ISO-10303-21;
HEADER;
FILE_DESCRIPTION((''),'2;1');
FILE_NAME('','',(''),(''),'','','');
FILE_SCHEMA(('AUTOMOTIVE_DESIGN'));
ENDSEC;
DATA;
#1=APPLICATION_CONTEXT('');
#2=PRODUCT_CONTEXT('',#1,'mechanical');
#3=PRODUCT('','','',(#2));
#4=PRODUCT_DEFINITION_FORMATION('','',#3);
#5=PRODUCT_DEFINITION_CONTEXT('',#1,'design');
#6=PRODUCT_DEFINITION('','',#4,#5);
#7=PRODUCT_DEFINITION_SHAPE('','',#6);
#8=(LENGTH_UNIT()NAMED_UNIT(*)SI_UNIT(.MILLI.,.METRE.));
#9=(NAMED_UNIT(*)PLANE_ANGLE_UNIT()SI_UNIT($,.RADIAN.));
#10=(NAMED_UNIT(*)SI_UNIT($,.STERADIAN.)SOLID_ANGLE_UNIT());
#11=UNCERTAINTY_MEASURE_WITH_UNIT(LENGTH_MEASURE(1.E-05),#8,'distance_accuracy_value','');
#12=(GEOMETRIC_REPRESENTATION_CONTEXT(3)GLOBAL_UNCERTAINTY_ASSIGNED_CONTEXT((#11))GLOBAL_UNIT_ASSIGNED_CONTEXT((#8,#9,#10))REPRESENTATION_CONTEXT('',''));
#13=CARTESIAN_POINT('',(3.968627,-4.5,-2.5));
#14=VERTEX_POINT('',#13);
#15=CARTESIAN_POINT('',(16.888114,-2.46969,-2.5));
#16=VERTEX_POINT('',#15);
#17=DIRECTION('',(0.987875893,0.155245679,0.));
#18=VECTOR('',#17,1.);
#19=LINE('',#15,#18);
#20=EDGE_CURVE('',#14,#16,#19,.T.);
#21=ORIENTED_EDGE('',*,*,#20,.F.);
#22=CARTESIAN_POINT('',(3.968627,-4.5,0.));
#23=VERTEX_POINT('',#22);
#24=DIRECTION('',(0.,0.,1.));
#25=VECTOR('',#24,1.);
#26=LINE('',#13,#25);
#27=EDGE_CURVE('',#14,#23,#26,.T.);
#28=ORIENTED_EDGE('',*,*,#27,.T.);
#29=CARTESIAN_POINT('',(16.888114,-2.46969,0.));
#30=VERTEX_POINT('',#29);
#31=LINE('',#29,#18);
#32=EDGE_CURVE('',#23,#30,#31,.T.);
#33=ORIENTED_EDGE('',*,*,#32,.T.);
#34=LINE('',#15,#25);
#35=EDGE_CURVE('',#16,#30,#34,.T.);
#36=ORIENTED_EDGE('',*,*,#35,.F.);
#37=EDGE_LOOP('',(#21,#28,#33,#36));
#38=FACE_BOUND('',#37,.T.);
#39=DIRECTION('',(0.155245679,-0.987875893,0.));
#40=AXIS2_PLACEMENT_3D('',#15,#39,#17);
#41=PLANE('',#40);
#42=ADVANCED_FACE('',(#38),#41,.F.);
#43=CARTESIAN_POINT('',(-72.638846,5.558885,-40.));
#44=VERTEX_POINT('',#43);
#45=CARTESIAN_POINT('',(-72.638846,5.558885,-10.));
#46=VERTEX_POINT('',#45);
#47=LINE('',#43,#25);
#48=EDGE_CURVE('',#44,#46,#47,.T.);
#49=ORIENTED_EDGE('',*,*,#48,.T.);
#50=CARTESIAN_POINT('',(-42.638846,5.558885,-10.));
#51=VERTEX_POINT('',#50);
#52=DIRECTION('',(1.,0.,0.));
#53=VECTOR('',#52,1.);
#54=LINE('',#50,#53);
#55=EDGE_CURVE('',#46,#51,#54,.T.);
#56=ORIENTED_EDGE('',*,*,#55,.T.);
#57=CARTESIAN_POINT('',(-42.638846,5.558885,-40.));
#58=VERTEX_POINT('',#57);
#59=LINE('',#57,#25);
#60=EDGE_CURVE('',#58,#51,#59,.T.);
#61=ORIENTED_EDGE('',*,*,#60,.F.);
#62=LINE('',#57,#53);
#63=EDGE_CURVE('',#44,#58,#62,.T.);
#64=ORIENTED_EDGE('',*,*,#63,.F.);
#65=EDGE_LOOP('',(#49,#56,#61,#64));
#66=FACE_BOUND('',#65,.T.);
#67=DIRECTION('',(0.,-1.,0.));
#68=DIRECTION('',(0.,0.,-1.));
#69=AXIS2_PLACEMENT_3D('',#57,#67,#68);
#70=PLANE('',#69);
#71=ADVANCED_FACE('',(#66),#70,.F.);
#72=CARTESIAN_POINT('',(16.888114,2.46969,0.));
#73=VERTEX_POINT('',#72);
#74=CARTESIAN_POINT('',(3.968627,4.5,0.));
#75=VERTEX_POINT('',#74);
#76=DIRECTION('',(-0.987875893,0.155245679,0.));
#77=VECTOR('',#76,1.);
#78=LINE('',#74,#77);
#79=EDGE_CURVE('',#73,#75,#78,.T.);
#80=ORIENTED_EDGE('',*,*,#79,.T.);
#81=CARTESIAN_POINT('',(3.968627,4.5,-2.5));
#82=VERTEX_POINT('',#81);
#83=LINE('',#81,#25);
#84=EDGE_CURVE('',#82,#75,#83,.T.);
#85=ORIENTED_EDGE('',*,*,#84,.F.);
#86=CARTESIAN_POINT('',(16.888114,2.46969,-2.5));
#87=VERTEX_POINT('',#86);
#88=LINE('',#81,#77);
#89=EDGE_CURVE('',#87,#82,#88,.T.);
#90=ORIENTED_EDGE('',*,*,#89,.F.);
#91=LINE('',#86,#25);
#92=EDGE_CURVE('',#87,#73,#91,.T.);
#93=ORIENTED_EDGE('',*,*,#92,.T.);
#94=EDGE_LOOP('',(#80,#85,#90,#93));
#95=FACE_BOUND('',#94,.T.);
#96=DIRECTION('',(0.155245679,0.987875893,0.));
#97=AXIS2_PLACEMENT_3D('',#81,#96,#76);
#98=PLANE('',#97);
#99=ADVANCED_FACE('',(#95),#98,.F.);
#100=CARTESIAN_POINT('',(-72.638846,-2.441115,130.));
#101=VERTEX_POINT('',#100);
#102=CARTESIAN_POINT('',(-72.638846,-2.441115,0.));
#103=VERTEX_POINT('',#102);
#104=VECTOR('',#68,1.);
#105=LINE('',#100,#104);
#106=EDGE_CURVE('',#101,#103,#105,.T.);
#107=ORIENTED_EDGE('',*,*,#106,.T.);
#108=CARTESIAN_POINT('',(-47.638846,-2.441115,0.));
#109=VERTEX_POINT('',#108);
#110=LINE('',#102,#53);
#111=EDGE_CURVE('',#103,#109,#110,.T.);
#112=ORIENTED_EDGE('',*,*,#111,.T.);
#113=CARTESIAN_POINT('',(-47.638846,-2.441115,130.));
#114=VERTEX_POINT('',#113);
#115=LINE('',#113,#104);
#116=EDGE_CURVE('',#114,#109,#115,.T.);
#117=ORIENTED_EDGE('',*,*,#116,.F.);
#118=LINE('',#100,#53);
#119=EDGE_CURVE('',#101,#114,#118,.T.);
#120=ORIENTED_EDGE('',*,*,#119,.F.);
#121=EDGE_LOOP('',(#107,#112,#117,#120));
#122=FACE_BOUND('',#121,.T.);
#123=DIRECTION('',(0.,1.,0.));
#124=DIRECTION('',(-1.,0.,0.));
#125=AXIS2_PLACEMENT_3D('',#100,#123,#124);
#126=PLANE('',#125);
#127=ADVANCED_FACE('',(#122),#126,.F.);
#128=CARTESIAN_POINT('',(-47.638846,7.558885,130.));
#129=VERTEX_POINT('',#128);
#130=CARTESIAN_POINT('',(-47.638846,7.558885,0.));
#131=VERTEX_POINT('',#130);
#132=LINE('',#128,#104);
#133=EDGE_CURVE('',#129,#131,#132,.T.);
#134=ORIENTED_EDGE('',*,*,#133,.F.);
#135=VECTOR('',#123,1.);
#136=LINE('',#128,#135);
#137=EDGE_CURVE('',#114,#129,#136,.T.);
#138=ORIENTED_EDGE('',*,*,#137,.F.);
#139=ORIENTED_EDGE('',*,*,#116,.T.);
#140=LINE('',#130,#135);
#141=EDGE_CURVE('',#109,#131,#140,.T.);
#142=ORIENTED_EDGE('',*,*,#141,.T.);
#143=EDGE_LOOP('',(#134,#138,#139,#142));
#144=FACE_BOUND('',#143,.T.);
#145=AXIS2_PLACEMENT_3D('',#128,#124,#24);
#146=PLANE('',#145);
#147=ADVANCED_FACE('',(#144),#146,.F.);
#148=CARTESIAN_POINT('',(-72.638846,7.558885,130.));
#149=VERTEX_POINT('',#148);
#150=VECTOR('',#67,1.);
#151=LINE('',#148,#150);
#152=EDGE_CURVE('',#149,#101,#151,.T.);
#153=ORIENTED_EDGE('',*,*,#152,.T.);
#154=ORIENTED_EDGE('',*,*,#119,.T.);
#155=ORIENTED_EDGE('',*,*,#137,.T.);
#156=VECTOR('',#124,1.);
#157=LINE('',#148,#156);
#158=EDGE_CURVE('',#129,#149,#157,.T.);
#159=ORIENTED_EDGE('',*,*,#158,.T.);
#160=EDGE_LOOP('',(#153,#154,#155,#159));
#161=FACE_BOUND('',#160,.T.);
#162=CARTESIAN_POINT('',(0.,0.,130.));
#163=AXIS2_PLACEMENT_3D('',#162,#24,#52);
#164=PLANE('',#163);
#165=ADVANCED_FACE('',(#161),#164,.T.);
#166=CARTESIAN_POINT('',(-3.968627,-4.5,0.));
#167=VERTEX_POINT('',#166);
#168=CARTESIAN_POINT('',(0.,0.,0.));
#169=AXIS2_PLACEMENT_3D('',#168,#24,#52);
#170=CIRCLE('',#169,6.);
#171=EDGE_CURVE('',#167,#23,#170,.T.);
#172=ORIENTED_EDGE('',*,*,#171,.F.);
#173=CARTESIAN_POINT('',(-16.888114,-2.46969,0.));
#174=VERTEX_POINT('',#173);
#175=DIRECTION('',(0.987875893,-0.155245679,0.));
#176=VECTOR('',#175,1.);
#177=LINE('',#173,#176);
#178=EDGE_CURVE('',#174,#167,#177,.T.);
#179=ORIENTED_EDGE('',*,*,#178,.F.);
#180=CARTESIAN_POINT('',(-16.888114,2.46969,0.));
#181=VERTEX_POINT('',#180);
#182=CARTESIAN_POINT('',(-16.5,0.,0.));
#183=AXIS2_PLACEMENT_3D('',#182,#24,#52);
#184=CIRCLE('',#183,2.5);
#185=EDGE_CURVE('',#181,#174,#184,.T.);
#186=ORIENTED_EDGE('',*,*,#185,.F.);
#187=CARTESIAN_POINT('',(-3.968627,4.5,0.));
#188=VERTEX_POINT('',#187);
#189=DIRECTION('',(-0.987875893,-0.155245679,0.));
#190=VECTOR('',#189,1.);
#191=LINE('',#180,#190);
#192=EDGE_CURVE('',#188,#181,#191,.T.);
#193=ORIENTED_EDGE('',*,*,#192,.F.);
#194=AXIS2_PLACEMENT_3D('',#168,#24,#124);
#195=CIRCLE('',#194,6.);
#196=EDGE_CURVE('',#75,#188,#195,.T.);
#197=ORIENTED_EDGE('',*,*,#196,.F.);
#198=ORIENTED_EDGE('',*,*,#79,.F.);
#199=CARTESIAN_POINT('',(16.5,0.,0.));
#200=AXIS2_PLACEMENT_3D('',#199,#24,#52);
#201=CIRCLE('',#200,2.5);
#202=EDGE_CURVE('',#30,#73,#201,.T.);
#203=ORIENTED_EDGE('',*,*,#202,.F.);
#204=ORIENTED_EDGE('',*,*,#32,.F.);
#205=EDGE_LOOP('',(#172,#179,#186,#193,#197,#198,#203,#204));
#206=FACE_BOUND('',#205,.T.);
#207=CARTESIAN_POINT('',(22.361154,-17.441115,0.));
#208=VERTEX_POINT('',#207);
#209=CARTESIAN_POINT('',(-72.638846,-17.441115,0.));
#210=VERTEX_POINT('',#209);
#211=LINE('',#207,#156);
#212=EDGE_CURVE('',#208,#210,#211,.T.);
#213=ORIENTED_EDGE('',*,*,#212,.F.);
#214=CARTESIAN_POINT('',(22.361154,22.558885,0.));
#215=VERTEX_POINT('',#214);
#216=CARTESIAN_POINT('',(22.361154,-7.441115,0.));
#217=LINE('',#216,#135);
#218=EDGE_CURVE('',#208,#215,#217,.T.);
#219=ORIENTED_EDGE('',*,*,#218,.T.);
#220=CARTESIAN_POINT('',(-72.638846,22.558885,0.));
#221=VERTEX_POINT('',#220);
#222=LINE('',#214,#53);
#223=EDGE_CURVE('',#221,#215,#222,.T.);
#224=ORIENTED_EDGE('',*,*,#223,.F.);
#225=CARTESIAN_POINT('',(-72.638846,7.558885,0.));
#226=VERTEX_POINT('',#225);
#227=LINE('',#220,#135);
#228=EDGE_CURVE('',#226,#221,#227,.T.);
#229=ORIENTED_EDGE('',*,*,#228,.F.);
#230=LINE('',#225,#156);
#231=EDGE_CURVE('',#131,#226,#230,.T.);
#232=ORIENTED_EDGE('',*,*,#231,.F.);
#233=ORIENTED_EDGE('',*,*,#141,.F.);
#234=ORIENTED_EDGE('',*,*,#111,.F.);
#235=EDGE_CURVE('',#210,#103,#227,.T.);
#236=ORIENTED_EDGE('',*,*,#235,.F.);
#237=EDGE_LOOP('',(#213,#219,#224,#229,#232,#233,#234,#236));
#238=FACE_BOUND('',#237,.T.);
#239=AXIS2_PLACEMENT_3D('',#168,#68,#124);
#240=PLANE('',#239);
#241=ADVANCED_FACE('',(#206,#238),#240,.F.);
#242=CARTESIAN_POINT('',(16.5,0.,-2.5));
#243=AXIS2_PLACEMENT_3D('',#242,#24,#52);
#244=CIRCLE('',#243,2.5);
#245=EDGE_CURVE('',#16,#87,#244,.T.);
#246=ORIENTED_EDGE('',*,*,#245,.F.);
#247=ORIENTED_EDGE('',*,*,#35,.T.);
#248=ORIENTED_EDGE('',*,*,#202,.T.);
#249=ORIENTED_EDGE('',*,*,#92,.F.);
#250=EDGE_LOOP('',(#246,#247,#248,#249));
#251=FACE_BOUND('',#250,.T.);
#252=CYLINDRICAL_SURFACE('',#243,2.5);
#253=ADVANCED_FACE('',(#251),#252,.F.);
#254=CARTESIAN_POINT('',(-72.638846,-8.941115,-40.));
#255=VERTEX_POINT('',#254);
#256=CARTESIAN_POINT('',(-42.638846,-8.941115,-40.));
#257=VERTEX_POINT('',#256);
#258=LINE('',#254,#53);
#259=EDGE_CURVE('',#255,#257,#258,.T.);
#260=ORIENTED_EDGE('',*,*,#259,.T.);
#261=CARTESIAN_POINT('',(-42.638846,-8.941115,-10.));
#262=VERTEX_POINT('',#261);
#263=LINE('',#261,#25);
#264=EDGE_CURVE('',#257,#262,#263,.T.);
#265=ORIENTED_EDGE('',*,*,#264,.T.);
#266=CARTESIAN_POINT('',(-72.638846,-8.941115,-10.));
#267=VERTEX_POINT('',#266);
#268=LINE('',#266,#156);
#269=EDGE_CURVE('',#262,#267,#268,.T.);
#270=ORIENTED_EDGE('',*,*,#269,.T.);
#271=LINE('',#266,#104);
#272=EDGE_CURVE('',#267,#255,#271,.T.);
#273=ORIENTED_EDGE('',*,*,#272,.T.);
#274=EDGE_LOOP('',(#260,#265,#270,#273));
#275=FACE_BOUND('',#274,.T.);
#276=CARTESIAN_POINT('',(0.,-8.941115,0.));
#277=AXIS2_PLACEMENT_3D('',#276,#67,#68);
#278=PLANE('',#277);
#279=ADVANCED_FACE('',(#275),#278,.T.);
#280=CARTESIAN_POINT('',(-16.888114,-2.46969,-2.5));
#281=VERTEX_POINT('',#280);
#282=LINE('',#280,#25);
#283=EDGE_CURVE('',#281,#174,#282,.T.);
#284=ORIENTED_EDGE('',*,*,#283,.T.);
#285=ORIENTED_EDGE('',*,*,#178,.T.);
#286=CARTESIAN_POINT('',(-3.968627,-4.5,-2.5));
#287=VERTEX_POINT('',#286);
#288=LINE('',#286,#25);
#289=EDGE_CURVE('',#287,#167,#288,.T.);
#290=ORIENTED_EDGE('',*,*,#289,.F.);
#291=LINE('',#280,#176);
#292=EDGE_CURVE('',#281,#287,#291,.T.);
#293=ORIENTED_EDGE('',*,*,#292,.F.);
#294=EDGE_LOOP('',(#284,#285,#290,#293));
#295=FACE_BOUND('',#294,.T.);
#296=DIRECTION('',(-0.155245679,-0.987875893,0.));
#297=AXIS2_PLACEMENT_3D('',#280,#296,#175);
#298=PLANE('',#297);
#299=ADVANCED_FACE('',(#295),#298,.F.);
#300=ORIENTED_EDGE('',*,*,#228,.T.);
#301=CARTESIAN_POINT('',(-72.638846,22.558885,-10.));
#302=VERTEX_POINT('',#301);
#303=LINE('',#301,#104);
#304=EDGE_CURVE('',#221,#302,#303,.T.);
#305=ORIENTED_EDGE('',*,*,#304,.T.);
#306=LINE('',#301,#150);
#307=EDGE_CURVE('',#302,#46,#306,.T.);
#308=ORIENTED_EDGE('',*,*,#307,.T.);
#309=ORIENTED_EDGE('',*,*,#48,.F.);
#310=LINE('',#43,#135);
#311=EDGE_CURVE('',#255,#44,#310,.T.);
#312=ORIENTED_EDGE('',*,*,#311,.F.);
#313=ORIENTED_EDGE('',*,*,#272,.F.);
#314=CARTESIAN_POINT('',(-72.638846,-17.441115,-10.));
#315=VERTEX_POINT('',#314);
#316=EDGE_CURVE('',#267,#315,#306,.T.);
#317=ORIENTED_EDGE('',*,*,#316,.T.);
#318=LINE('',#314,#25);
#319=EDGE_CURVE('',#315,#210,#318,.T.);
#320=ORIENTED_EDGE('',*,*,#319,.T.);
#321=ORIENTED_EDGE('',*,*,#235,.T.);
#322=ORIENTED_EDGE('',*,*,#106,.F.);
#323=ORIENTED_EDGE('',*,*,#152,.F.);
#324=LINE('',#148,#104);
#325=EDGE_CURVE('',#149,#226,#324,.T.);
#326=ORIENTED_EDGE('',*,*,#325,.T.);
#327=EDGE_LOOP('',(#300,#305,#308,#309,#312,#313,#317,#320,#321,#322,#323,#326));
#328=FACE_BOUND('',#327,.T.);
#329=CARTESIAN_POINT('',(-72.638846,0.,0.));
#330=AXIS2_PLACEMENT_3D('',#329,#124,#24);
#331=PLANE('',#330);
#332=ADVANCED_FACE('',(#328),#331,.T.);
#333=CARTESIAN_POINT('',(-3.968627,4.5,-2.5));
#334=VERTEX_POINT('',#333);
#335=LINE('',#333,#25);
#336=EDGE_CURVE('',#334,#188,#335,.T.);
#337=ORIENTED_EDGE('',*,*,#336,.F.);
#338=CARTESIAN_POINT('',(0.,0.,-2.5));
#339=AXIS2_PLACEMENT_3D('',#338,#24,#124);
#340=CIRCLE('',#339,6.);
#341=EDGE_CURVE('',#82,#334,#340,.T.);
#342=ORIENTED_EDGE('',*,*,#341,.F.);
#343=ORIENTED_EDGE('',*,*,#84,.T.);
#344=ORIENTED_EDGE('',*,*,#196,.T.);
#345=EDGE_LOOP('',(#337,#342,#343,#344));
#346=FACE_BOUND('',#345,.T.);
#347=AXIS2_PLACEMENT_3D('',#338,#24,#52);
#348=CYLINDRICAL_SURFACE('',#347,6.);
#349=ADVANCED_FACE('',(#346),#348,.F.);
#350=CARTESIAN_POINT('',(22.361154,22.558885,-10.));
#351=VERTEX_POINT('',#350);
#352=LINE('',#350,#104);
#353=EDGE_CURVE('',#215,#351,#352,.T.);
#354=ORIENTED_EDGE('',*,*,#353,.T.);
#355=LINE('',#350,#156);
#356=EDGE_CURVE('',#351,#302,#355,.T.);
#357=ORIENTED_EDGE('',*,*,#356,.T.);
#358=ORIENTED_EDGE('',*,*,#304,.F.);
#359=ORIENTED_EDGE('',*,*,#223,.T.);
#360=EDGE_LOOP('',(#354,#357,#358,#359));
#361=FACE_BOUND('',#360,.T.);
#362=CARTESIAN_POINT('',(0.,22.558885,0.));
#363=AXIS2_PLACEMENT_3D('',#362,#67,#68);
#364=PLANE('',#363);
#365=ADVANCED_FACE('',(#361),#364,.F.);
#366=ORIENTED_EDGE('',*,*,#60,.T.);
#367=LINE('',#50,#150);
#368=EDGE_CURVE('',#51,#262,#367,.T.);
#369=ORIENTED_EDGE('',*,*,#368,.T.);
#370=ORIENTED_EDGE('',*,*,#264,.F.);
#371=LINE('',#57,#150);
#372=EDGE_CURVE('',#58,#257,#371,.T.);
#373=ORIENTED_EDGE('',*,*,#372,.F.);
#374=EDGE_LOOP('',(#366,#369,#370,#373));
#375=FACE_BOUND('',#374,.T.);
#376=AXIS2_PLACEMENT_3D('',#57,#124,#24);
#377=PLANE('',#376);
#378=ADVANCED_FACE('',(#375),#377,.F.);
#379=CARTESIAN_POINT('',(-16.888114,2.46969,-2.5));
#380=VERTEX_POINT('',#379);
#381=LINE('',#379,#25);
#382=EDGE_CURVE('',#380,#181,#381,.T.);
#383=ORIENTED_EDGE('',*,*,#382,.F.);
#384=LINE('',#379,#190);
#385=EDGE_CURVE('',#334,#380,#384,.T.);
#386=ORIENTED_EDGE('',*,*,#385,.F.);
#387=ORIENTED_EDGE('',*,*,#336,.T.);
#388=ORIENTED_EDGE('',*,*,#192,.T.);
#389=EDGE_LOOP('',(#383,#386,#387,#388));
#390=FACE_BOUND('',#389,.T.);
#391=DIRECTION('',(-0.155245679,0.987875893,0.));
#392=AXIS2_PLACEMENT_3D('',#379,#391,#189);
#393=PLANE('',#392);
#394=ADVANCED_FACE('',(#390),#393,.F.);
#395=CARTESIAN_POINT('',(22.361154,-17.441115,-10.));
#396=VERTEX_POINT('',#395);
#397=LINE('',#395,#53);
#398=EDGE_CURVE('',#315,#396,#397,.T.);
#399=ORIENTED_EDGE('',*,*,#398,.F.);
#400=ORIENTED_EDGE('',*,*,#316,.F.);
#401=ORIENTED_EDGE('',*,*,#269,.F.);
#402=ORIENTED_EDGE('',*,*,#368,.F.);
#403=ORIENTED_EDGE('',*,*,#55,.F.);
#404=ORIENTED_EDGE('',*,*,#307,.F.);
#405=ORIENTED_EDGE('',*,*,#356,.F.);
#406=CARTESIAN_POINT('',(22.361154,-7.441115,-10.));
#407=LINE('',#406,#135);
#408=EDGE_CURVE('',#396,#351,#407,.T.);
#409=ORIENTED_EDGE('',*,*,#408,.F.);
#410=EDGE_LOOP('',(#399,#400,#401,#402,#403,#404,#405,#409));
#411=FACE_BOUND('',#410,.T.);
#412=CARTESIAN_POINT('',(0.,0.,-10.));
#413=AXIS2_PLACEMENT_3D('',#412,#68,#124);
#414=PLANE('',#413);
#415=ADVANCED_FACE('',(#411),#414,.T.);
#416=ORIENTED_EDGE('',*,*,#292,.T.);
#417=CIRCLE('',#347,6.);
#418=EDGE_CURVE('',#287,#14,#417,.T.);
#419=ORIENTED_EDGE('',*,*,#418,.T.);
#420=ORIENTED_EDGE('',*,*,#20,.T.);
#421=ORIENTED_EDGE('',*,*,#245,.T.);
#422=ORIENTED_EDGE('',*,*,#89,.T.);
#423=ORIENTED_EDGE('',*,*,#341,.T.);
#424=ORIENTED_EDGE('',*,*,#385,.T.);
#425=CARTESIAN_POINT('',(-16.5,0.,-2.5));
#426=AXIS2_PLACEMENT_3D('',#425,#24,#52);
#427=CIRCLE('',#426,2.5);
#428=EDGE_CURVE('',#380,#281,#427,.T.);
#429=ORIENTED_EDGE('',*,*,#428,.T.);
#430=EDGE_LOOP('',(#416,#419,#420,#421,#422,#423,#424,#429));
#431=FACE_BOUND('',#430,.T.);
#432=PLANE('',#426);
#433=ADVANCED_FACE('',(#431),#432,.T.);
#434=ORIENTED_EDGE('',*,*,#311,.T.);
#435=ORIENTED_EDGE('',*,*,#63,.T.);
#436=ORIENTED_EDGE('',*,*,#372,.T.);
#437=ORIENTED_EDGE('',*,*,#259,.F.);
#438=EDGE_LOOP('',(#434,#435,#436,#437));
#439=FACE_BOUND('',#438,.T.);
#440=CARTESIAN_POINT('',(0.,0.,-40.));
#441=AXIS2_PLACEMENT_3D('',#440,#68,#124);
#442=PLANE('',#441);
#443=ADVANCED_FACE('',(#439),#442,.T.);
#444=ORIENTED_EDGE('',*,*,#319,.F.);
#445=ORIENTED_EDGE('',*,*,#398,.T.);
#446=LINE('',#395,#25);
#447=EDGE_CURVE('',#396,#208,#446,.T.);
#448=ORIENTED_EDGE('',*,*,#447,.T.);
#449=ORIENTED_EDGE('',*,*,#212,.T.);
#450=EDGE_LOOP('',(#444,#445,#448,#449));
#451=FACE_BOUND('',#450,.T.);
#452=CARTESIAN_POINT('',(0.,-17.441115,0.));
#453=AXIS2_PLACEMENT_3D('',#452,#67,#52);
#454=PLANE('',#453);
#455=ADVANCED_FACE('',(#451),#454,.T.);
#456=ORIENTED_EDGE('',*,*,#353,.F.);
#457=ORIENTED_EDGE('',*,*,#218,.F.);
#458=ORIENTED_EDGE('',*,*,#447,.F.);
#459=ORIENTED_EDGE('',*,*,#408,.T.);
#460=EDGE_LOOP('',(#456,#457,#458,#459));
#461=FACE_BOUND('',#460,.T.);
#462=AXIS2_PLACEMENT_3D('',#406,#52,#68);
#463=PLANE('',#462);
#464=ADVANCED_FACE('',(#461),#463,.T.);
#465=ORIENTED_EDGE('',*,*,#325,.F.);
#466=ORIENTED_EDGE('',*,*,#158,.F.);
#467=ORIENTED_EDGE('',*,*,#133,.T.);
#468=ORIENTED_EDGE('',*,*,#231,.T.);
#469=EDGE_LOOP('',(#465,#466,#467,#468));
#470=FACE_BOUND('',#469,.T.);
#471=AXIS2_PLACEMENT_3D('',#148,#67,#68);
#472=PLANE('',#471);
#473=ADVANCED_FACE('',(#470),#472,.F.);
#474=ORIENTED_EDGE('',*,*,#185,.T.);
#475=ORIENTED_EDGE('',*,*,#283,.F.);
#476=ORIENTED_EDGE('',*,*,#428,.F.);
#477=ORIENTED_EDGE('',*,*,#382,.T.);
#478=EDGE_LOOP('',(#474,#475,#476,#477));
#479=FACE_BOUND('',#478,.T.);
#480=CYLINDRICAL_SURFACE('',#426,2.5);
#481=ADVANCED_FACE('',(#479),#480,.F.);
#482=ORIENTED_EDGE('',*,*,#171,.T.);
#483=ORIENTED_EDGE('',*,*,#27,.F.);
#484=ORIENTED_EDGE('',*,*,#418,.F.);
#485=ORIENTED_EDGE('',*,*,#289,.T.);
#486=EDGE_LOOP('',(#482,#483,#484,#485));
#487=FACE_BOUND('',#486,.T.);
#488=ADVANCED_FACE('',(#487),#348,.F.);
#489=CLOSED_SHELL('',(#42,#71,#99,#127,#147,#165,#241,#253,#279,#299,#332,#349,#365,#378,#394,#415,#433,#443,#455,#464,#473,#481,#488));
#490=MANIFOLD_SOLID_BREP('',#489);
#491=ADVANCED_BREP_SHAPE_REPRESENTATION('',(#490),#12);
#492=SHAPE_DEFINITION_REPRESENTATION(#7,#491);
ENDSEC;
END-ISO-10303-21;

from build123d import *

# Parameters (mm, degrees)
SKETCH3_W            = 45
SKETCH3_H            = 15
BOSS_EXTRUDE1_DEPTH  = 10
CUT_EXTRUDE1_DEPTH   = 2.5
SKETCH11_W           = 45
SKETCH11_H           = 10
BOSS_EXTRUDE5_DEPTH  = 10
SKETCH14_W           = 45
SKETCH14_H           = 10
BOSS_EXTRUDE7_DEPTH  = 15
SKETCH20_W           = 10
SKETCH20_H           = 40
BOSS_EXTRUDE10_DEPTH = 50
SKETCH21_W           = 25
SKETCH21_H           = 10
BOSS_EXTRUDE11_DEPTH = 130
SKETCH22_W           = 30
SKETCH22_H           = 6
BOSS_EXTRUDE12_DEPTH = 30
SKETCH23_W           = 30
SKETCH23_H           = 30
BOSS_EXTRUDE13_DEPTH = 8.5


with BuildPart() as part:
    # Sketch3 → Boss-Extrude1 (new body)
    with BuildSketch(Plane.XY):
        with Locations((-0.138845539, 0.05888455)):
            Rectangle(SKETCH3_W, SKETCH3_H)
    extrude(amount=-BOSS_EXTRUDE1_DEPTH)

    # Sketch2 → Cut-Extrude1 (cut)
    with BuildSketch(Plane.XY):
        with BuildLine():
            Line((-16.888114198, 2.469689731), (-3.968626967, 4.5))
            ThreePointArc((-3.968626967, 4.5), (0, 6), (3.968626967, 4.5))
            Line((3.968626967, 4.5), (16.888114198, 2.469689731))
            ThreePointArc((16.888114198, 2.469689731), (19, 0), (16.888114198, -2.469689731))
            Line((16.888114198, -2.469689731), (3.968626967, -4.5))
            ThreePointArc((3.968626967, -4.5), (0, -6), (-3.968626967, -4.5))
            Line((-3.968626967, -4.5), (-16.888114198, -2.469689731))
            ThreePointArc((-16.888114198, -2.469689731), (-19, 0), (-16.888114198, 2.469689731))
        make_face()
    extrude(amount=-CUT_EXTRUDE1_DEPTH, mode=Mode.SUBTRACT)

    # Sketch11 → Boss-Extrude5 (add)
    with BuildSketch(Plane.XZ.offset(7.44111545)):
        with Locations((-0.138845539, -5)):
            Rectangle(SKETCH11_W, SKETCH11_H)
    extrude(amount=BOSS_EXTRUDE5_DEPTH)

    # Sketch14 → Boss-Extrude7 (add)
    with BuildSketch(Plane(origin=(0, 7.55888455, 0), x_dir=(1, 0, 0), z_dir=(0, 1, 0))):
        with Locations((-0.138845539, 5)):
            Rectangle(SKETCH14_W, SKETCH14_H)
    extrude(amount=BOSS_EXTRUDE7_DEPTH)

    # Sketch20 → Boss-Extrude10 (add)
    with BuildSketch(Plane.ZY.offset(22.638845539)):
        with Locations((-5, 2.55888455)):
            Rectangle(SKETCH20_W, SKETCH20_H)
    extrude(amount=BOSS_EXTRUDE10_DEPTH)

    # Sketch21 → Boss-Extrude11 (add)
    with BuildSketch(Plane.XY):
        with Locations((-60.138845539, 2.55888455)):
            Rectangle(SKETCH21_W, SKETCH21_H)
    extrude(amount=BOSS_EXTRUDE11_DEPTH)

    # Sketch22 → Boss-Extrude12 (add)
    with BuildSketch(Plane(origin=(0, 0, -10), x_dir=(-1, 0, 0), z_dir=(0, 0, -1))):
        with Locations((57.638845539, 2.55888455)):
            Rectangle(SKETCH22_W, SKETCH22_H)
    extrude(amount=BOSS_EXTRUDE12_DEPTH)

    # Sketch23 → Boss-Extrude13 (add)
    with BuildSketch(Plane.XZ.offset(0.44111545)):
        with Locations((-57.638845539, -25)):
            Rectangle(SKETCH23_W, SKETCH23_H)
    extrude(amount=BOSS_EXTRUDE13_DEPTH)


solid = part.part
